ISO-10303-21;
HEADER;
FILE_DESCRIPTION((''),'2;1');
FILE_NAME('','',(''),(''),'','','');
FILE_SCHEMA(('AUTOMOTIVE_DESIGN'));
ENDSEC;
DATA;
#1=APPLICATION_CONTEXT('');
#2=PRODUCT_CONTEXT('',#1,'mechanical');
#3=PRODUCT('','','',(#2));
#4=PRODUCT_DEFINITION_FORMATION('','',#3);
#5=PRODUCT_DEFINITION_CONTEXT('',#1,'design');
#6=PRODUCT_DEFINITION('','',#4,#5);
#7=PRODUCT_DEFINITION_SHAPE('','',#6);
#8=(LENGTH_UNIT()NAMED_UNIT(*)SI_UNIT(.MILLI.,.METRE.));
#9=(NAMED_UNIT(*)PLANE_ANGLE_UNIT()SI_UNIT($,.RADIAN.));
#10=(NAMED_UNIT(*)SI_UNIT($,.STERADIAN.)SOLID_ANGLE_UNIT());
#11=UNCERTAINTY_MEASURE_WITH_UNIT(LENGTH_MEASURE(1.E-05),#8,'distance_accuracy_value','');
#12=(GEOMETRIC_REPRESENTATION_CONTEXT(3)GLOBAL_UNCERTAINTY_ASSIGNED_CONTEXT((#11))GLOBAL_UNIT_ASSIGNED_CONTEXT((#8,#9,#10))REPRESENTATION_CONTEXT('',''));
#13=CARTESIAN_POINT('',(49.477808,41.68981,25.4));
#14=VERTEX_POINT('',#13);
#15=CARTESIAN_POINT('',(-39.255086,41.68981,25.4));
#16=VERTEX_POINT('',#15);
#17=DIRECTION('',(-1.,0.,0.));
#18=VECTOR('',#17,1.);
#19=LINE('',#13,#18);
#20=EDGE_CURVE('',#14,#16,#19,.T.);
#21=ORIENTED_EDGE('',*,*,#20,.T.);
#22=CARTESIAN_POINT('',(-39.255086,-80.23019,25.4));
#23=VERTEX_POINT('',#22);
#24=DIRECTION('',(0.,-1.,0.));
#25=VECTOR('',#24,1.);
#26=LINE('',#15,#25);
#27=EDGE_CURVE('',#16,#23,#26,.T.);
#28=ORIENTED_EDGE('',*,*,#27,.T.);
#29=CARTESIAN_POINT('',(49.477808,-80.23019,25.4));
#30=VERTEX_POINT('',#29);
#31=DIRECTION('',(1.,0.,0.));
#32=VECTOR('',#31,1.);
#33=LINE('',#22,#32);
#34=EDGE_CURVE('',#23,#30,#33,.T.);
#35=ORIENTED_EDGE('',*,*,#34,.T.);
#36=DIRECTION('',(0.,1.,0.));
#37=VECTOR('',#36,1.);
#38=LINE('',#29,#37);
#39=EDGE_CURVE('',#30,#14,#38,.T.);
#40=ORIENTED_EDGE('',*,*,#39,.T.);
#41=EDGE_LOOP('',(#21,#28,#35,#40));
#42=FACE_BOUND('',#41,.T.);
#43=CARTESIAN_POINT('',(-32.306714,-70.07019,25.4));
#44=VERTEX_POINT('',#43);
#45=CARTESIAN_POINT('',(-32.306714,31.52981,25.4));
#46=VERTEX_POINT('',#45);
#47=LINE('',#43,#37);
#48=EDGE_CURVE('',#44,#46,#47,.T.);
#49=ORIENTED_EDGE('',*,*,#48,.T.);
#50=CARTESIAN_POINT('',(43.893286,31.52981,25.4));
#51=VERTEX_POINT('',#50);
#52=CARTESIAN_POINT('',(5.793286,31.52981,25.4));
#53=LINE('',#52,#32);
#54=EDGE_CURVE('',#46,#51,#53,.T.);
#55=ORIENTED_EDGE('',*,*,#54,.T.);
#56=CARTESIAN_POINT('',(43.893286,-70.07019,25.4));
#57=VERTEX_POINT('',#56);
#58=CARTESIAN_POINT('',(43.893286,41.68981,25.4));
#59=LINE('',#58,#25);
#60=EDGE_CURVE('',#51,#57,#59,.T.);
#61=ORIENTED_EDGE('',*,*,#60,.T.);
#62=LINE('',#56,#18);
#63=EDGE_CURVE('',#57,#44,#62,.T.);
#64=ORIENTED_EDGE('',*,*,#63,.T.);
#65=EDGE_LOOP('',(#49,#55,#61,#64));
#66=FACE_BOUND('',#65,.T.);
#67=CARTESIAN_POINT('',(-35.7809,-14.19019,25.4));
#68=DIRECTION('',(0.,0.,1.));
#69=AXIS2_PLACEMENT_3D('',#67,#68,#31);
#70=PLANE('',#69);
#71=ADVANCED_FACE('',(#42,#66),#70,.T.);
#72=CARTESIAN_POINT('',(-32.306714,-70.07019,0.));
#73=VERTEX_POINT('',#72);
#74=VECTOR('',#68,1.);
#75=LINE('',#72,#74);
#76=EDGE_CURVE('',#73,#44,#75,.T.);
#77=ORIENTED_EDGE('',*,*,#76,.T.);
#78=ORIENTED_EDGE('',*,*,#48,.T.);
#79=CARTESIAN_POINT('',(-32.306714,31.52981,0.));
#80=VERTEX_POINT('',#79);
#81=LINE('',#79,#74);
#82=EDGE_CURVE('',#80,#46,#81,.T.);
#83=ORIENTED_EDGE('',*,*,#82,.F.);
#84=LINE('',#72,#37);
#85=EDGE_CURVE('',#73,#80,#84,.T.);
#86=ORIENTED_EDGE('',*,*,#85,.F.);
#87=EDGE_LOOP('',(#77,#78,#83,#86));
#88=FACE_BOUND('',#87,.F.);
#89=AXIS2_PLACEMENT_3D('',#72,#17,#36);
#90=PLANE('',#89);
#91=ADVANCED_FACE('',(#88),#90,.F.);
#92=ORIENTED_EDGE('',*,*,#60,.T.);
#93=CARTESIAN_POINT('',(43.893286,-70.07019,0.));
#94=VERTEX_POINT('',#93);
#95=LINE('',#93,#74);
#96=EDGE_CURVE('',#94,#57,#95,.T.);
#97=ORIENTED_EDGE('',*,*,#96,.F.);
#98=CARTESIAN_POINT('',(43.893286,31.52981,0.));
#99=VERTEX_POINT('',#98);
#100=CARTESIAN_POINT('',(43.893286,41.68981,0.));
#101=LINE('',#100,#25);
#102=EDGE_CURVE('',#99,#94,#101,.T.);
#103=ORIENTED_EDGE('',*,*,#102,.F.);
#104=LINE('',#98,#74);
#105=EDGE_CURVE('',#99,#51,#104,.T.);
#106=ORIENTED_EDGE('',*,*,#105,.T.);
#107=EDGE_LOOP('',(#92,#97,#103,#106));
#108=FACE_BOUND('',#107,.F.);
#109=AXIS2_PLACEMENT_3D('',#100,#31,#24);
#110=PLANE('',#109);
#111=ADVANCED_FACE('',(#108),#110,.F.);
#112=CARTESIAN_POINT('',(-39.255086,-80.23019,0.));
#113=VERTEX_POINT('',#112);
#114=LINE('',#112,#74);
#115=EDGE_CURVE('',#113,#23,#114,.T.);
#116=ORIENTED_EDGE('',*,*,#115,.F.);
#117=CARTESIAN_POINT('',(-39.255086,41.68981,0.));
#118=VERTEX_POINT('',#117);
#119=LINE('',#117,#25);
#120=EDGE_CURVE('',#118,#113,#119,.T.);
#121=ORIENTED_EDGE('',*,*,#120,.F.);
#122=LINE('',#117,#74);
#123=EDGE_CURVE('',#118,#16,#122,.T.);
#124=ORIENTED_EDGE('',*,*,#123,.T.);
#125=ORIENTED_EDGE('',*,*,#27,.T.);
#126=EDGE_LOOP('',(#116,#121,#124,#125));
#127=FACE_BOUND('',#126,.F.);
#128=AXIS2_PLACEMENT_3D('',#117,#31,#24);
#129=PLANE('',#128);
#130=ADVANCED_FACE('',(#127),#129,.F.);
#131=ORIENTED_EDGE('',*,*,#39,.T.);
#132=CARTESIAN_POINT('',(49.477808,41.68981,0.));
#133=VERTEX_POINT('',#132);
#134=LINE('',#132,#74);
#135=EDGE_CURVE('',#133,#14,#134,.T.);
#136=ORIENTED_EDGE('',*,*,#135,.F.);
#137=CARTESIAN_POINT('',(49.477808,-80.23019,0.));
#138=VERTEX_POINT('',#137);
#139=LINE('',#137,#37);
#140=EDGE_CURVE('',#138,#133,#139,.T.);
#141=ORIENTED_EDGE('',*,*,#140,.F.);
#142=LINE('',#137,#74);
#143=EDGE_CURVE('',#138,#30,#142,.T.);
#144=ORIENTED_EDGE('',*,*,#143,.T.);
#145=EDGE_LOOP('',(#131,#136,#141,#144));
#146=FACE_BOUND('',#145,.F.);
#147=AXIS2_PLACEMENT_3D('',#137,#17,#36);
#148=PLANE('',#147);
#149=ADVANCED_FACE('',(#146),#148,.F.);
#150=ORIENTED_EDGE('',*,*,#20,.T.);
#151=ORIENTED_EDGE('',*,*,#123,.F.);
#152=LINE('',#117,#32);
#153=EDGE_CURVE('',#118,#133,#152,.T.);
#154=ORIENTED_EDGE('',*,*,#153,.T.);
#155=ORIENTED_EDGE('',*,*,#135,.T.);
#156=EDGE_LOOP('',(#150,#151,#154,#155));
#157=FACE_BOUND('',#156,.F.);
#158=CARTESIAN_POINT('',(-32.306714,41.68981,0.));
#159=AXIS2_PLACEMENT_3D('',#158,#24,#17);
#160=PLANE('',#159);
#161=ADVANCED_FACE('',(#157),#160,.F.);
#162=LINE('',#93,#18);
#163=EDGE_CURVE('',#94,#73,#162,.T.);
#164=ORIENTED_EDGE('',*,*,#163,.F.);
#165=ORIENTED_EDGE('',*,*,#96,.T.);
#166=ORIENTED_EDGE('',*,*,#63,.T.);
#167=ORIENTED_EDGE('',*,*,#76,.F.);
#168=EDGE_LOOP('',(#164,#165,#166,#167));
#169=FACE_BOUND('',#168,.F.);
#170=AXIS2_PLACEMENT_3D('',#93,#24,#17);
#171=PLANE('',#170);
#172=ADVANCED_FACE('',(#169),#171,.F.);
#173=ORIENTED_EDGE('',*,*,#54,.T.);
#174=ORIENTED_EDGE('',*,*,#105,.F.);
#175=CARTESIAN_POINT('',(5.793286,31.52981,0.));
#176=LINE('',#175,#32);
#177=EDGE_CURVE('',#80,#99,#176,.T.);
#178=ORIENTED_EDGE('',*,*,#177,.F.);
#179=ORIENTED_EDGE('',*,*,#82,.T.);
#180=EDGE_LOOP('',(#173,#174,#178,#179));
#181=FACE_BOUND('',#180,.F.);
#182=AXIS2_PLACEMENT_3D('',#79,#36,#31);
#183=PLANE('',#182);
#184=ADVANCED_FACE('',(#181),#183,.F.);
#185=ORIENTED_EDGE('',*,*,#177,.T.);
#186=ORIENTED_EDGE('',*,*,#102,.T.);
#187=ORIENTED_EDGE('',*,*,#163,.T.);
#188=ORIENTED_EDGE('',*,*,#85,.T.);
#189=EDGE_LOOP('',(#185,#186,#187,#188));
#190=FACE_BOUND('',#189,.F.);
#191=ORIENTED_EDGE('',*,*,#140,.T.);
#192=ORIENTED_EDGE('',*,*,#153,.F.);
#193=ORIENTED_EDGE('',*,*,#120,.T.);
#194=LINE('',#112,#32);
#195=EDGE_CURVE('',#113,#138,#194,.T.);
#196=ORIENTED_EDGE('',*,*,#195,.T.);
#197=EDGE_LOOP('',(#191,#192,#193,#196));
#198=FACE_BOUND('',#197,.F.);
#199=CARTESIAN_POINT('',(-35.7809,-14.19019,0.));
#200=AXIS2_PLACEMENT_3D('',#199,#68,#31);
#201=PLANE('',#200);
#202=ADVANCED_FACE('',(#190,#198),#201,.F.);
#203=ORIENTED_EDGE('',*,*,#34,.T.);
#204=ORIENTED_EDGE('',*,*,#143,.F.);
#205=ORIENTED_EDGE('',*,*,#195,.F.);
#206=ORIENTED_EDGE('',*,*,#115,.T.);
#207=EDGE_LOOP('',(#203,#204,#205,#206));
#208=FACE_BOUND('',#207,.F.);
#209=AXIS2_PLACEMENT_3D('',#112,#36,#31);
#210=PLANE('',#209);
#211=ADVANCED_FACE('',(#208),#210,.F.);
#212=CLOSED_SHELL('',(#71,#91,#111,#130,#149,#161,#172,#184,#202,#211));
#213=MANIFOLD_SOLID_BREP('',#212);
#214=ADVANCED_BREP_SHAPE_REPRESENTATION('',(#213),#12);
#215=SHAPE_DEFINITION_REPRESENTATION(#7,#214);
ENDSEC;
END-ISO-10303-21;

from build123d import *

# Parameters (mm, degrees)
F0_W     = 76.2
F0_H     = 10.16
F1_DEPTH = 25.4
F0_W_2   = 5.584522
F0_H_2   = 101.6
F2_DEPTH = 25.4


with BuildPart() as f1:
    # F0 (on Top) → F1 (new body)
    with BuildSketch(Plane.XY):
        with Locations((5.793286, 36.60981)):
            Rectangle(F0_W, F0_H)
    extrude(amount=F1_DEPTH)

    # F0 (on Top) → F2 (join)
    with BuildSketch(Plane.XY):
        Polygon((-32.306714, -70.07019), (-32.306714, 31.52981), (-32.306714, 41.68981), (-39.255086, 41.68981), (-39.255086, -70.07019), align=None)
        with Locations((46.685547, -19.27019)):
            Rectangle(F0_W_2, F0_H_2)
        with Locations((46.685547, 36.60981)):
            Rectangle(F0_W_2, F0_H)
        with Locations((46.685547, -75.15019)):
            Rectangle(F0_W_2, F0_H)
        Polygon((43.893286, -80.23019), (43.893286, -70.07019), (-32.306714, -70.07019), (-39.255086, -70.07019), (-39.255086, -80.23019), align=None)
    extrude(amount=F2_DEPTH)


solid = f1.part
